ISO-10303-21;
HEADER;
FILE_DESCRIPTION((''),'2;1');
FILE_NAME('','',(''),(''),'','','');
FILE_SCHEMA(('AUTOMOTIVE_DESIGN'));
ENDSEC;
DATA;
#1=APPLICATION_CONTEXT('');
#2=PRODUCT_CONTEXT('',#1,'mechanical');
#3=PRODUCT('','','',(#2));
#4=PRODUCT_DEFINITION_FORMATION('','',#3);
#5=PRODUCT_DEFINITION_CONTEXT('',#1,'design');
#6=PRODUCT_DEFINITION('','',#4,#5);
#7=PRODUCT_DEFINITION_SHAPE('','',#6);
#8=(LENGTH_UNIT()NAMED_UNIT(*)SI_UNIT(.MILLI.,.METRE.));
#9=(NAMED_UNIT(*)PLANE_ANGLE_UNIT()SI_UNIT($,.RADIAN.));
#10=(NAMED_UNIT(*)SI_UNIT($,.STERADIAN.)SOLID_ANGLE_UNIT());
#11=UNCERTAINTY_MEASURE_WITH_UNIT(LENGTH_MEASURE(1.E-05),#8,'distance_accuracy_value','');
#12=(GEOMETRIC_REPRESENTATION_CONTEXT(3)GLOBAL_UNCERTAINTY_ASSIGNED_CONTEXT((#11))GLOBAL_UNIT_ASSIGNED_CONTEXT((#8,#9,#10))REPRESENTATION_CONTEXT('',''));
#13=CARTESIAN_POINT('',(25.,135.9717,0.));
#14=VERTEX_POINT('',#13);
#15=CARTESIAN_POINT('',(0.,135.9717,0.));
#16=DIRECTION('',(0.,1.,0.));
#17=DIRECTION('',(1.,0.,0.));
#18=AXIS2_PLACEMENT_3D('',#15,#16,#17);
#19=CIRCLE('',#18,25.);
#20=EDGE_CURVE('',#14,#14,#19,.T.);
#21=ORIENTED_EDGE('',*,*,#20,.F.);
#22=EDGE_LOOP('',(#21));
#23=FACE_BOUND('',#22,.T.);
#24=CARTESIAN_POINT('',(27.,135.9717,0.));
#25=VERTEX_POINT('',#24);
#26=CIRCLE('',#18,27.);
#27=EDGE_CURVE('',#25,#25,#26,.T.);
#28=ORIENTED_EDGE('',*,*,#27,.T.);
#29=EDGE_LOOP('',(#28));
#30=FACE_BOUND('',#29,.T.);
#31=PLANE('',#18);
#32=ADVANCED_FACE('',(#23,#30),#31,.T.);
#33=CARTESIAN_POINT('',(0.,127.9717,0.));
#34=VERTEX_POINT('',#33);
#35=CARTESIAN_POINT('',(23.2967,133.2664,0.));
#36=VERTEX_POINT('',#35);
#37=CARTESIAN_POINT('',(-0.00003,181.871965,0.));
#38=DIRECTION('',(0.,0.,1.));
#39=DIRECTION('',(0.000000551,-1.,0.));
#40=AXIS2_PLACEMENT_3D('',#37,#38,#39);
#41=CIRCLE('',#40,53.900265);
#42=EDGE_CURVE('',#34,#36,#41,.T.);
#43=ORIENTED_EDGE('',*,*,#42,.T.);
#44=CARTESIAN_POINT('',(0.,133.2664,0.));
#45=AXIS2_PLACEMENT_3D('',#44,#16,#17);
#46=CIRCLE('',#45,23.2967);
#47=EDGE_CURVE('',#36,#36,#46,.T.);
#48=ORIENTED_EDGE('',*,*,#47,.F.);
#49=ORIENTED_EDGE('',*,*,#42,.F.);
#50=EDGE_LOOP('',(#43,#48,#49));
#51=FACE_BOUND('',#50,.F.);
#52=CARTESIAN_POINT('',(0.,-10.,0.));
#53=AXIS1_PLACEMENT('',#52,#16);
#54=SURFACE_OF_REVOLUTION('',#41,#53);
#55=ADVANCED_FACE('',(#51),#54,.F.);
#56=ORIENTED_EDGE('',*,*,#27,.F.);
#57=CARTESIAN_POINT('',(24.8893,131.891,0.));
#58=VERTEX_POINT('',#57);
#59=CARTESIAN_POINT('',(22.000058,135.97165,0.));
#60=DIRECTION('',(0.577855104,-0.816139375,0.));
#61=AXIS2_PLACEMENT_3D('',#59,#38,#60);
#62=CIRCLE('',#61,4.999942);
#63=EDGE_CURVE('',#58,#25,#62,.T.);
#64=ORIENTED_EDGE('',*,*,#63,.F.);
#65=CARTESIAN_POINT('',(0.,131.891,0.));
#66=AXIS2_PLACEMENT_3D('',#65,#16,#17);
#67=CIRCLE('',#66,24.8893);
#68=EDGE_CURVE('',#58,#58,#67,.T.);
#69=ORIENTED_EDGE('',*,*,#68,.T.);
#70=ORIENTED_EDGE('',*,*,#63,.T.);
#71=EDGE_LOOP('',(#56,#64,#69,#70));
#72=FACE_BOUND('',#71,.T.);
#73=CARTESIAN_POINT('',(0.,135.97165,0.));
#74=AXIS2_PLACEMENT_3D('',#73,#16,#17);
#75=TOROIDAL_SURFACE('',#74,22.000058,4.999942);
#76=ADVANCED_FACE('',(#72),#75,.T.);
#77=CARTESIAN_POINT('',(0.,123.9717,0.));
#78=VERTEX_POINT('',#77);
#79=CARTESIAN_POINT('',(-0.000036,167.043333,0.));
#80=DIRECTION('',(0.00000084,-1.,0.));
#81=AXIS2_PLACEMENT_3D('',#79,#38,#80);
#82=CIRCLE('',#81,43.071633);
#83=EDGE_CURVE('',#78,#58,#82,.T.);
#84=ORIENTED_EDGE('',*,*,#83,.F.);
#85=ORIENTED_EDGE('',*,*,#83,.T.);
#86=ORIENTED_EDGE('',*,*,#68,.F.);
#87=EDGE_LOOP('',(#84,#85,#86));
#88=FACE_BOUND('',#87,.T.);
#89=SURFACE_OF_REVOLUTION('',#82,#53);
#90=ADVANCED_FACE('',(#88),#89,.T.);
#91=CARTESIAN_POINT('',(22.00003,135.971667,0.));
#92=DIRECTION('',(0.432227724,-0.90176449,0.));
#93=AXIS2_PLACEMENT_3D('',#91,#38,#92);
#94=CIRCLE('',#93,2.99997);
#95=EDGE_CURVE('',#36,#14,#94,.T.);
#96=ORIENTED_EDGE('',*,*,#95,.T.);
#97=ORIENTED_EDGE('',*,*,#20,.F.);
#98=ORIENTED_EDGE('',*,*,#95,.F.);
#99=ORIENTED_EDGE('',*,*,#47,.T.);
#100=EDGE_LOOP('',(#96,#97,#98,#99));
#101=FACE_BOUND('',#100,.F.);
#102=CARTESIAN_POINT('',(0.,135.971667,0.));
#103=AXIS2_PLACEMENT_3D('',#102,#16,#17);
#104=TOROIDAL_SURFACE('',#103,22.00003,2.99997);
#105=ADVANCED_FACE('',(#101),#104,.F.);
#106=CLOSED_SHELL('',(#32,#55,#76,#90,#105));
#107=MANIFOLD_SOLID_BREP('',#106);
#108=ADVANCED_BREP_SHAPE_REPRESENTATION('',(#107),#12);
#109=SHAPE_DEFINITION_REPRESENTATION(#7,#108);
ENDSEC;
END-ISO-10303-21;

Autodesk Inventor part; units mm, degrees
ref_plane "YZ Plane" through (0, 0, 0) normal (1, 0, 0) x (0, 1, 0)
ref_plane "XZ Plane" through (0, 0, 0) normal (0, 1, 0) x (-1, 0, 0)
ref_plane "XY Plane" through (0, 0, 0) normal (0, 0, 1) x (1, 0, 0)
sketch "ox tank wall cross section" plane through (0, 135.9717, 0) normal (0, 1, 0) x (-1, 0, 0)
  circle A0 centre (0, 0) radius 25
  circle A1 centre (0, 0) radius 27
  point P0 (-25, 0)
sketch "end cap profile" plane through (0, 0, 0) normal (0, 0, 1) x (1, 0, 0)
  line L0 (25, 135.9717) -> (-25, 135.9717) construction
  line L1 (27, 135.9717) -> (-27, 135.9717) projected
  arc A0 (24.8893, 131.891) -> (27, 135.9717) centre (22, 135.9717) ccw
  arc A1 (0, 123.9717) -> (24.8893, 131.891) centre (0, 167.0431) ccw
  line L2 (0, 123.9717) -> (0, 127.9717)
  line L3 (-27, 135.9717) -> (25, 135.9717) construction
  arc A2 (22, 135.9717) -> (22, 135.9717) centre (22, 135.9717) ccw construction
  line L4 (0, 134.2393) -> (0, 137.2393) construction
  arc A3 (23.2967, 133.2664) -> (25, 135.9717) centre (22, 135.9717) ccw
  arc A4 (0, 127.9717) -> (23.2967, 133.2664) centre (0, 181.8717) ccw
  line L5 (0, 127.9717) -> (0, 135.9717) construction
  line L6 (25, 135.9717) -> (22, 135.9717) construction
  line L7 (0, -36.3743) -> (0, 218.2461) projected
  line L8 (25, 135.9717) -> (27, 135.9717)
  point P0 (0, 0)
  dimension "d7" = 3
  dimension "d9" = 8
  dimension "d11" = 4
revolve "Revolution1" add sketch "end cap profile" angle 360 about axis through (0, -10, 0) along (0, 1, 0) contours A0 A1 L2 A4 A3 L1
properties part number "tank endcap" material "Stainless Steel"
